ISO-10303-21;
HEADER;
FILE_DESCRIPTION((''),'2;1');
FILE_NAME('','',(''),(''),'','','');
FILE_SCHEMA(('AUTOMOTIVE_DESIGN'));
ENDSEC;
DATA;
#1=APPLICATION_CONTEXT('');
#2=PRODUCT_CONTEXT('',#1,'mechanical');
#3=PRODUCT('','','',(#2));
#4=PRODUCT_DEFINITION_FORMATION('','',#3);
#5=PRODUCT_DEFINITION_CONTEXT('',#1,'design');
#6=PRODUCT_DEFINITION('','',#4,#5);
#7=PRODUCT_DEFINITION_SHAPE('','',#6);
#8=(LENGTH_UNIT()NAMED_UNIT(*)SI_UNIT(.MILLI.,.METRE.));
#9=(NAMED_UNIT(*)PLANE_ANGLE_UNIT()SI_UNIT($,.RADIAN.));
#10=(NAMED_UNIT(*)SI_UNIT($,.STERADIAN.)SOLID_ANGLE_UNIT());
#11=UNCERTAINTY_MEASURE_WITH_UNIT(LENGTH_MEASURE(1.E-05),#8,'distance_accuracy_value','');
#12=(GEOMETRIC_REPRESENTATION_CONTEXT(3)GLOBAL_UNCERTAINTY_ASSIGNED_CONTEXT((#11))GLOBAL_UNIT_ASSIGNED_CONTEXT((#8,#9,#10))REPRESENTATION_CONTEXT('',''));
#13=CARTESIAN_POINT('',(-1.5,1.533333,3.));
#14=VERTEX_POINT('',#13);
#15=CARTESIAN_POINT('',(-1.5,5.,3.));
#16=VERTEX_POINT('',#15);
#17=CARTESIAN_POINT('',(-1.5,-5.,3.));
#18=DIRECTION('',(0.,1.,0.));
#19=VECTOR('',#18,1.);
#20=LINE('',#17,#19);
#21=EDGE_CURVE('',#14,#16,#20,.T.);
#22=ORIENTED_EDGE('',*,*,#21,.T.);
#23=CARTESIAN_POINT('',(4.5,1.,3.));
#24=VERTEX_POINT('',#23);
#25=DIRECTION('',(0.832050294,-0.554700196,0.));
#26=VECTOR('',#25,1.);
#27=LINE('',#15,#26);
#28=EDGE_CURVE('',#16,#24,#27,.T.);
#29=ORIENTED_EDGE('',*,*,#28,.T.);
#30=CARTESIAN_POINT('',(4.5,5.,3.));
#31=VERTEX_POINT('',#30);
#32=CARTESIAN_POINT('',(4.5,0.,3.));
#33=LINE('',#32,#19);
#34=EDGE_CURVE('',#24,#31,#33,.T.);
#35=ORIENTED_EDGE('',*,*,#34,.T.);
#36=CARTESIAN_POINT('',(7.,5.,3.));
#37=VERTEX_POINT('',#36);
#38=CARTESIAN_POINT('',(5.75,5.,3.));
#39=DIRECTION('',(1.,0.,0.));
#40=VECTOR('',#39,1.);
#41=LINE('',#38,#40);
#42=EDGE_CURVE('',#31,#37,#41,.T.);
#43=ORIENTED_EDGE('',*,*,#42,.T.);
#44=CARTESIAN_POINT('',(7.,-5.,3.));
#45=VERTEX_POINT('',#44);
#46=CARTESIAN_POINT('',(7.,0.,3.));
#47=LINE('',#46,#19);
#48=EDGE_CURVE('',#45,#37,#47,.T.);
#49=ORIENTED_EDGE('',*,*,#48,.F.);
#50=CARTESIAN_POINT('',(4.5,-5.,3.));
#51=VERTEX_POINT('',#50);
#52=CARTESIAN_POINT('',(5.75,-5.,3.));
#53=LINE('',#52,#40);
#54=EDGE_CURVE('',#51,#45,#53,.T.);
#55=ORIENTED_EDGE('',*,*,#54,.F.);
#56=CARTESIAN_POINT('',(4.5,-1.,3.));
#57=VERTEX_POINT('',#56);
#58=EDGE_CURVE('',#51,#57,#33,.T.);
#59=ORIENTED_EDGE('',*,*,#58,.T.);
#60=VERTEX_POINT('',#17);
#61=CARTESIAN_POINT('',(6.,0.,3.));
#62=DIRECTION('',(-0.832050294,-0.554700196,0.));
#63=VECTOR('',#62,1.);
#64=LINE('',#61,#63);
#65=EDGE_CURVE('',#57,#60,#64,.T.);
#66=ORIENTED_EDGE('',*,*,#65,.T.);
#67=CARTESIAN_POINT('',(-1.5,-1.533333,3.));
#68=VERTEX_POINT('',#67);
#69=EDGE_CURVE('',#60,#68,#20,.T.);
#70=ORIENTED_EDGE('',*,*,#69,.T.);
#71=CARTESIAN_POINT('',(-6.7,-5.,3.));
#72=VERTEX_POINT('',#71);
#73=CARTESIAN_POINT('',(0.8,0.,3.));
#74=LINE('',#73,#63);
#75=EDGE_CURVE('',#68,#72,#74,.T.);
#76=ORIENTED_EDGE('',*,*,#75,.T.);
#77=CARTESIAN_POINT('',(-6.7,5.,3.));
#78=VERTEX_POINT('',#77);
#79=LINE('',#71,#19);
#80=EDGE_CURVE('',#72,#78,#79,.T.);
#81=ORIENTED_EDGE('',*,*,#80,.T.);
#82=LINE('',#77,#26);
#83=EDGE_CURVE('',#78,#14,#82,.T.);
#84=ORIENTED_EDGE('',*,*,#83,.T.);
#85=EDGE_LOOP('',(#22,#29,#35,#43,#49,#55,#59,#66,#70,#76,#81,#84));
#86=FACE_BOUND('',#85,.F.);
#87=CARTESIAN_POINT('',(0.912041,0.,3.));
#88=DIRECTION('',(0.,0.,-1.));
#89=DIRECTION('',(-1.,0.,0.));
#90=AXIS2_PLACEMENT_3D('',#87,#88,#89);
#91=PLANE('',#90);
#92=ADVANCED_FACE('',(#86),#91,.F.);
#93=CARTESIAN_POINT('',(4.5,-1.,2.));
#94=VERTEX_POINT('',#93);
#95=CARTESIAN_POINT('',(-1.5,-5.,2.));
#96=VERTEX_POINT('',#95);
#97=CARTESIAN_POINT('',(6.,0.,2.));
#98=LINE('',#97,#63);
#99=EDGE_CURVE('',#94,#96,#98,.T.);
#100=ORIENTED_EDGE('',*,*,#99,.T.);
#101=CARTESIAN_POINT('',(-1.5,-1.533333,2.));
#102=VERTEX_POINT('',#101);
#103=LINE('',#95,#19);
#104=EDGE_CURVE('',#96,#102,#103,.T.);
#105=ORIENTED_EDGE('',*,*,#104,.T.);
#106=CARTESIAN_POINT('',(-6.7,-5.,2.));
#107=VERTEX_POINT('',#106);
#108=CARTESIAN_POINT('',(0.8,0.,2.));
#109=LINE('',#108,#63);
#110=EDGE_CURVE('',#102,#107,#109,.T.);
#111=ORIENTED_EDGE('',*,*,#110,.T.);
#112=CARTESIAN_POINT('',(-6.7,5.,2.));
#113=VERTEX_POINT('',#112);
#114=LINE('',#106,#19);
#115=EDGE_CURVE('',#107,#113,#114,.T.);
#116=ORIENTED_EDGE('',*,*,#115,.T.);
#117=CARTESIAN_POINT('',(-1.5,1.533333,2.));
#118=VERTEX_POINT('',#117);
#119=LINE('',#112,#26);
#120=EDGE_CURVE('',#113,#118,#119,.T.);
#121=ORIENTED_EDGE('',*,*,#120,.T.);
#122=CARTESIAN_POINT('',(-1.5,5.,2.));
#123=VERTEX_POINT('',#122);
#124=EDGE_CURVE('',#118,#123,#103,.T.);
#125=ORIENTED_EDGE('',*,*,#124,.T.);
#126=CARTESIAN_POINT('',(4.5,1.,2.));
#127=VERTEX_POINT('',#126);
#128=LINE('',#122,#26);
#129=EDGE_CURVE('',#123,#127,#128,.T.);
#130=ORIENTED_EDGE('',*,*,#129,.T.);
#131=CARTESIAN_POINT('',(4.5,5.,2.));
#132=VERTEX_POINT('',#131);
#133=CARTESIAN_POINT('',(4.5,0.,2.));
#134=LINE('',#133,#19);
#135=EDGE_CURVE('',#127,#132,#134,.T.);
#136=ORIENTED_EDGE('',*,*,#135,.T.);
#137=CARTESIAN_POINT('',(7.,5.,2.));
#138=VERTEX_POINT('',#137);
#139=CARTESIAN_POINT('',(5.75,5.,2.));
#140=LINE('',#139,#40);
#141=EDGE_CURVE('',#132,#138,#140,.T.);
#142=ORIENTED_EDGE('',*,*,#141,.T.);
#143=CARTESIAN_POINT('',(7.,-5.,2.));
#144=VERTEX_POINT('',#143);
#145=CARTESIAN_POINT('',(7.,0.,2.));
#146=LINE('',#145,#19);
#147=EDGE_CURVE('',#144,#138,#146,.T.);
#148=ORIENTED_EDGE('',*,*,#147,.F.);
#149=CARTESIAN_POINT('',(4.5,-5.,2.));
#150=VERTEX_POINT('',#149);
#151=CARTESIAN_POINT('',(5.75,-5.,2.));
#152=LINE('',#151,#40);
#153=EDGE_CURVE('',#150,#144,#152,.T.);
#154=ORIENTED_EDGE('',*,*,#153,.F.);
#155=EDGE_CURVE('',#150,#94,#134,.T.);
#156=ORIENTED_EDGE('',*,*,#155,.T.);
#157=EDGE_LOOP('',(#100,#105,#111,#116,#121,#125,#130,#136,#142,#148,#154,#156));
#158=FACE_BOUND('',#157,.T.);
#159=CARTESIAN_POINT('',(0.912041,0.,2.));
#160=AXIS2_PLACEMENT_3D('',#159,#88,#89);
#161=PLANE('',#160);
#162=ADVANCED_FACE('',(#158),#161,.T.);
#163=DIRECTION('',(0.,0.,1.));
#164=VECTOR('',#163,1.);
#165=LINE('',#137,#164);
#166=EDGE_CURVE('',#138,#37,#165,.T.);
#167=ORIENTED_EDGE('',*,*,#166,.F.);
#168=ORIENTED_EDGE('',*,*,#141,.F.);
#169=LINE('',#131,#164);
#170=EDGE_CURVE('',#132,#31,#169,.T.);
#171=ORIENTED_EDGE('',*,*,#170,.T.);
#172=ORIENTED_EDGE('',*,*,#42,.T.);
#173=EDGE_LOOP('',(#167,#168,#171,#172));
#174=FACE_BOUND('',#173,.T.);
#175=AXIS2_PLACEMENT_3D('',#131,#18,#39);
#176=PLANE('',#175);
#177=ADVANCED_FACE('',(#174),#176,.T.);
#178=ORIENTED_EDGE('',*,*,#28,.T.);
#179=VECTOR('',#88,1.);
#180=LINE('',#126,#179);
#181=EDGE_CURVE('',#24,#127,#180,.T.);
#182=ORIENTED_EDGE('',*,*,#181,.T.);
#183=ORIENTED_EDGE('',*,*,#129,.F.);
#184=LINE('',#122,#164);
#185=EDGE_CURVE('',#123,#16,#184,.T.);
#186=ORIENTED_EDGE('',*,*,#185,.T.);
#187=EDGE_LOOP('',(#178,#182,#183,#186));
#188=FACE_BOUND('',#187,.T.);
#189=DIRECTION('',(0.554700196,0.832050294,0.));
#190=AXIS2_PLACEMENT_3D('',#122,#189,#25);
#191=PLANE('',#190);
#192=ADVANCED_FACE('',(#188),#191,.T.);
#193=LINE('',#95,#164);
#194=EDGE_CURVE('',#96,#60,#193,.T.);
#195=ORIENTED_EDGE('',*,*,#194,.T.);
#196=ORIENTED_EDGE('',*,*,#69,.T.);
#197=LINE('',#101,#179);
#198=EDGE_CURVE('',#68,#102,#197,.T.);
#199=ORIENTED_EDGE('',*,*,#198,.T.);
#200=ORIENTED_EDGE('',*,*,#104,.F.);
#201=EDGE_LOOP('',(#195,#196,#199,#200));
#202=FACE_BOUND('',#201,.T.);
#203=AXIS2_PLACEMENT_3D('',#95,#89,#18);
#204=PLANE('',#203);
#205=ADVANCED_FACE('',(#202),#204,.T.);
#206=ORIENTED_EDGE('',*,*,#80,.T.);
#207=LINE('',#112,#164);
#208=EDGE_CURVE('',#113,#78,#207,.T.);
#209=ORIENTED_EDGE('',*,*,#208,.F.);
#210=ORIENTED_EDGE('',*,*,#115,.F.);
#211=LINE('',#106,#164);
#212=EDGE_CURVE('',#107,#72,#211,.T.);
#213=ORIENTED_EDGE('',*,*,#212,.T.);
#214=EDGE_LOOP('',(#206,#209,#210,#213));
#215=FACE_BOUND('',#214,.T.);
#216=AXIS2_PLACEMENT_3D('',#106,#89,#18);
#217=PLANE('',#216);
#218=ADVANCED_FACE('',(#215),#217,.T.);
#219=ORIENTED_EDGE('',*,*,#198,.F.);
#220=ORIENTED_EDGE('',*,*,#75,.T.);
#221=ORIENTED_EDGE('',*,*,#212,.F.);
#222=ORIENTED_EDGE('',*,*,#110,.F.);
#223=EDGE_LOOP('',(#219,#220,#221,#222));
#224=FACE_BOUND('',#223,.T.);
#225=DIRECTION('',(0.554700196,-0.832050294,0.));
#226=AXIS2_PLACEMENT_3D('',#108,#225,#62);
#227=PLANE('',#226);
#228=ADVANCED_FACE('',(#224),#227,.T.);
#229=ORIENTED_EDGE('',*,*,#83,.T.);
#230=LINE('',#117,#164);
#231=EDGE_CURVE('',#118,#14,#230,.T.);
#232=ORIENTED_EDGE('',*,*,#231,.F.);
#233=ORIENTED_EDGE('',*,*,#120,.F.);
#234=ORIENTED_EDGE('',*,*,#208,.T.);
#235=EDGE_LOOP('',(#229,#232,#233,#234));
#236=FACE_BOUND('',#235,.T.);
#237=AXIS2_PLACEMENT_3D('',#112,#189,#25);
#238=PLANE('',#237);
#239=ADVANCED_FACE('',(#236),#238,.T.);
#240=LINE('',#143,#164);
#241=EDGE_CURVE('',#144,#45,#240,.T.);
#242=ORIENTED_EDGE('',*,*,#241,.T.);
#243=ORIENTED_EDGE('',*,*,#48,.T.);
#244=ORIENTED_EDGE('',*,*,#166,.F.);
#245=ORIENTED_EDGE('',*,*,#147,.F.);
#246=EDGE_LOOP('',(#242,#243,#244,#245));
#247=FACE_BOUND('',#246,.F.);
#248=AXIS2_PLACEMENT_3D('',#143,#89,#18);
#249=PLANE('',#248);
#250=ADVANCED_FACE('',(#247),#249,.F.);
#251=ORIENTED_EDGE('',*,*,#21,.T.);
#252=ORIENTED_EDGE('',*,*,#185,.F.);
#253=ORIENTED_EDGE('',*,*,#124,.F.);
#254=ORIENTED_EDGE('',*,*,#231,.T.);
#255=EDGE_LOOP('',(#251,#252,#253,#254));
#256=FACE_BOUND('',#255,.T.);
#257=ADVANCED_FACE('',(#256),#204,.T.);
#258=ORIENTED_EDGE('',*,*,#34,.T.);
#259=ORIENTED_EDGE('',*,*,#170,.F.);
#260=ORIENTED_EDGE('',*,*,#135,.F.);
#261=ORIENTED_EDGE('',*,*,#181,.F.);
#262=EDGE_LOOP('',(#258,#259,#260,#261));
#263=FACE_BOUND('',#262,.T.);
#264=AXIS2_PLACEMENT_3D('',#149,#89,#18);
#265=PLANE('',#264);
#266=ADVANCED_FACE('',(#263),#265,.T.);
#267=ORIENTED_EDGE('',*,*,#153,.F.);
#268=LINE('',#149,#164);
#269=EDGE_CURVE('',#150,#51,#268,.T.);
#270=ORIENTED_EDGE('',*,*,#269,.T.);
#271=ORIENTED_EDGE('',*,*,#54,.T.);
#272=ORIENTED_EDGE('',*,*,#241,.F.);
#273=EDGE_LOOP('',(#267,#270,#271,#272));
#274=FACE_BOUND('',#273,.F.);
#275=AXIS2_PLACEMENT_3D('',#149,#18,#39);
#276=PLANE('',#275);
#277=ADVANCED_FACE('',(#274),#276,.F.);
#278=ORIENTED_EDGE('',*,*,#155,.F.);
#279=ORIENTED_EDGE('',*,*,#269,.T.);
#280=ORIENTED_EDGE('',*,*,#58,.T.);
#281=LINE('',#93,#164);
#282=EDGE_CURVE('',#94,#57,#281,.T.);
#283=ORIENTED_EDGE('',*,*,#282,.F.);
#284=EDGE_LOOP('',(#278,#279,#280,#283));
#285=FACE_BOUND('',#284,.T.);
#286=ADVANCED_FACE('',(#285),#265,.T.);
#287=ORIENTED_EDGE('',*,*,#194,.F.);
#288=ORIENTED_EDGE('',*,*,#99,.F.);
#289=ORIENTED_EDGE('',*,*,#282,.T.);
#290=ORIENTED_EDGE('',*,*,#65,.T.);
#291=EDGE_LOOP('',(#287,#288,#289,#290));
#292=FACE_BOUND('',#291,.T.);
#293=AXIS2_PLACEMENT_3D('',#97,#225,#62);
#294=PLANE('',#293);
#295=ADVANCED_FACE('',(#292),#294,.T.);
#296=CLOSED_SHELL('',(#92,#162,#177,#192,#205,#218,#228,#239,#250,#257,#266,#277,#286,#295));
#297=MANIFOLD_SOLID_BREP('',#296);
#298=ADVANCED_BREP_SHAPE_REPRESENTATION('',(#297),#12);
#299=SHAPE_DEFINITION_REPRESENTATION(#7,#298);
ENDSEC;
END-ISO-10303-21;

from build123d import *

# Parameters (mm, degrees)
PAD003_DEPTH = 1
PAD004_DEPTH = 1
SKETCH010_W  = 2.5
SKETCH010_H  = 10
PAD005_DEPTH = 1


with BuildPart() as pfeil_rechts2:
    # Sketch012 → Pad003 (new body)
    with BuildSketch(Plane.XY):
        Polygon((-4.5, 5), (3, 0), (-4.5, -5), align=None)
    extrude(amount=PAD003_DEPTH)


with BuildPart() as pfeil_rechts2_1:
    # Body005 placement: moved
    add(pfeil_rechts2.part.moved(Location((-2.2, 0, 2))))


with BuildPart() as pfeil_rechts003:
    # Sketch011 → Pad004 (new body)
    with BuildSketch(Plane(origin=(1, 0, 0), x_dir=(1, 0, 0), z_dir=(0, 0, 1))):
        Polygon((-4.5, 5), (3, 0), (-4.5, -5), align=None)
    extrude(amount=PAD004_DEPTH)


with BuildPart() as pfeil_rechts003_1:
    # Body006 placement: moved
    add(pfeil_rechts003.part.moved(Location((2, 0, 2))))


with BuildPart() as bild_ff:
    # Sketch010 → Pad005 (new body)
    with BuildSketch(Plane.XY):
        with Locations((-4.45, 0)):
            Rectangle(SKETCH010_W, SKETCH010_H)
    extrude(amount=PAD005_DEPTH)


with BuildPart() as bild_ff_1:
    # Body007 placement: moved
    add(bild_ff.part.moved(Location((10.2, 0, 2))))

    # Fusion002: union Pfeil rechts2, Pfeil rechts003
    add(pfeil_rechts2_1.part)
    add(pfeil_rechts003_1.part)


solid = bild_ff_1.part
